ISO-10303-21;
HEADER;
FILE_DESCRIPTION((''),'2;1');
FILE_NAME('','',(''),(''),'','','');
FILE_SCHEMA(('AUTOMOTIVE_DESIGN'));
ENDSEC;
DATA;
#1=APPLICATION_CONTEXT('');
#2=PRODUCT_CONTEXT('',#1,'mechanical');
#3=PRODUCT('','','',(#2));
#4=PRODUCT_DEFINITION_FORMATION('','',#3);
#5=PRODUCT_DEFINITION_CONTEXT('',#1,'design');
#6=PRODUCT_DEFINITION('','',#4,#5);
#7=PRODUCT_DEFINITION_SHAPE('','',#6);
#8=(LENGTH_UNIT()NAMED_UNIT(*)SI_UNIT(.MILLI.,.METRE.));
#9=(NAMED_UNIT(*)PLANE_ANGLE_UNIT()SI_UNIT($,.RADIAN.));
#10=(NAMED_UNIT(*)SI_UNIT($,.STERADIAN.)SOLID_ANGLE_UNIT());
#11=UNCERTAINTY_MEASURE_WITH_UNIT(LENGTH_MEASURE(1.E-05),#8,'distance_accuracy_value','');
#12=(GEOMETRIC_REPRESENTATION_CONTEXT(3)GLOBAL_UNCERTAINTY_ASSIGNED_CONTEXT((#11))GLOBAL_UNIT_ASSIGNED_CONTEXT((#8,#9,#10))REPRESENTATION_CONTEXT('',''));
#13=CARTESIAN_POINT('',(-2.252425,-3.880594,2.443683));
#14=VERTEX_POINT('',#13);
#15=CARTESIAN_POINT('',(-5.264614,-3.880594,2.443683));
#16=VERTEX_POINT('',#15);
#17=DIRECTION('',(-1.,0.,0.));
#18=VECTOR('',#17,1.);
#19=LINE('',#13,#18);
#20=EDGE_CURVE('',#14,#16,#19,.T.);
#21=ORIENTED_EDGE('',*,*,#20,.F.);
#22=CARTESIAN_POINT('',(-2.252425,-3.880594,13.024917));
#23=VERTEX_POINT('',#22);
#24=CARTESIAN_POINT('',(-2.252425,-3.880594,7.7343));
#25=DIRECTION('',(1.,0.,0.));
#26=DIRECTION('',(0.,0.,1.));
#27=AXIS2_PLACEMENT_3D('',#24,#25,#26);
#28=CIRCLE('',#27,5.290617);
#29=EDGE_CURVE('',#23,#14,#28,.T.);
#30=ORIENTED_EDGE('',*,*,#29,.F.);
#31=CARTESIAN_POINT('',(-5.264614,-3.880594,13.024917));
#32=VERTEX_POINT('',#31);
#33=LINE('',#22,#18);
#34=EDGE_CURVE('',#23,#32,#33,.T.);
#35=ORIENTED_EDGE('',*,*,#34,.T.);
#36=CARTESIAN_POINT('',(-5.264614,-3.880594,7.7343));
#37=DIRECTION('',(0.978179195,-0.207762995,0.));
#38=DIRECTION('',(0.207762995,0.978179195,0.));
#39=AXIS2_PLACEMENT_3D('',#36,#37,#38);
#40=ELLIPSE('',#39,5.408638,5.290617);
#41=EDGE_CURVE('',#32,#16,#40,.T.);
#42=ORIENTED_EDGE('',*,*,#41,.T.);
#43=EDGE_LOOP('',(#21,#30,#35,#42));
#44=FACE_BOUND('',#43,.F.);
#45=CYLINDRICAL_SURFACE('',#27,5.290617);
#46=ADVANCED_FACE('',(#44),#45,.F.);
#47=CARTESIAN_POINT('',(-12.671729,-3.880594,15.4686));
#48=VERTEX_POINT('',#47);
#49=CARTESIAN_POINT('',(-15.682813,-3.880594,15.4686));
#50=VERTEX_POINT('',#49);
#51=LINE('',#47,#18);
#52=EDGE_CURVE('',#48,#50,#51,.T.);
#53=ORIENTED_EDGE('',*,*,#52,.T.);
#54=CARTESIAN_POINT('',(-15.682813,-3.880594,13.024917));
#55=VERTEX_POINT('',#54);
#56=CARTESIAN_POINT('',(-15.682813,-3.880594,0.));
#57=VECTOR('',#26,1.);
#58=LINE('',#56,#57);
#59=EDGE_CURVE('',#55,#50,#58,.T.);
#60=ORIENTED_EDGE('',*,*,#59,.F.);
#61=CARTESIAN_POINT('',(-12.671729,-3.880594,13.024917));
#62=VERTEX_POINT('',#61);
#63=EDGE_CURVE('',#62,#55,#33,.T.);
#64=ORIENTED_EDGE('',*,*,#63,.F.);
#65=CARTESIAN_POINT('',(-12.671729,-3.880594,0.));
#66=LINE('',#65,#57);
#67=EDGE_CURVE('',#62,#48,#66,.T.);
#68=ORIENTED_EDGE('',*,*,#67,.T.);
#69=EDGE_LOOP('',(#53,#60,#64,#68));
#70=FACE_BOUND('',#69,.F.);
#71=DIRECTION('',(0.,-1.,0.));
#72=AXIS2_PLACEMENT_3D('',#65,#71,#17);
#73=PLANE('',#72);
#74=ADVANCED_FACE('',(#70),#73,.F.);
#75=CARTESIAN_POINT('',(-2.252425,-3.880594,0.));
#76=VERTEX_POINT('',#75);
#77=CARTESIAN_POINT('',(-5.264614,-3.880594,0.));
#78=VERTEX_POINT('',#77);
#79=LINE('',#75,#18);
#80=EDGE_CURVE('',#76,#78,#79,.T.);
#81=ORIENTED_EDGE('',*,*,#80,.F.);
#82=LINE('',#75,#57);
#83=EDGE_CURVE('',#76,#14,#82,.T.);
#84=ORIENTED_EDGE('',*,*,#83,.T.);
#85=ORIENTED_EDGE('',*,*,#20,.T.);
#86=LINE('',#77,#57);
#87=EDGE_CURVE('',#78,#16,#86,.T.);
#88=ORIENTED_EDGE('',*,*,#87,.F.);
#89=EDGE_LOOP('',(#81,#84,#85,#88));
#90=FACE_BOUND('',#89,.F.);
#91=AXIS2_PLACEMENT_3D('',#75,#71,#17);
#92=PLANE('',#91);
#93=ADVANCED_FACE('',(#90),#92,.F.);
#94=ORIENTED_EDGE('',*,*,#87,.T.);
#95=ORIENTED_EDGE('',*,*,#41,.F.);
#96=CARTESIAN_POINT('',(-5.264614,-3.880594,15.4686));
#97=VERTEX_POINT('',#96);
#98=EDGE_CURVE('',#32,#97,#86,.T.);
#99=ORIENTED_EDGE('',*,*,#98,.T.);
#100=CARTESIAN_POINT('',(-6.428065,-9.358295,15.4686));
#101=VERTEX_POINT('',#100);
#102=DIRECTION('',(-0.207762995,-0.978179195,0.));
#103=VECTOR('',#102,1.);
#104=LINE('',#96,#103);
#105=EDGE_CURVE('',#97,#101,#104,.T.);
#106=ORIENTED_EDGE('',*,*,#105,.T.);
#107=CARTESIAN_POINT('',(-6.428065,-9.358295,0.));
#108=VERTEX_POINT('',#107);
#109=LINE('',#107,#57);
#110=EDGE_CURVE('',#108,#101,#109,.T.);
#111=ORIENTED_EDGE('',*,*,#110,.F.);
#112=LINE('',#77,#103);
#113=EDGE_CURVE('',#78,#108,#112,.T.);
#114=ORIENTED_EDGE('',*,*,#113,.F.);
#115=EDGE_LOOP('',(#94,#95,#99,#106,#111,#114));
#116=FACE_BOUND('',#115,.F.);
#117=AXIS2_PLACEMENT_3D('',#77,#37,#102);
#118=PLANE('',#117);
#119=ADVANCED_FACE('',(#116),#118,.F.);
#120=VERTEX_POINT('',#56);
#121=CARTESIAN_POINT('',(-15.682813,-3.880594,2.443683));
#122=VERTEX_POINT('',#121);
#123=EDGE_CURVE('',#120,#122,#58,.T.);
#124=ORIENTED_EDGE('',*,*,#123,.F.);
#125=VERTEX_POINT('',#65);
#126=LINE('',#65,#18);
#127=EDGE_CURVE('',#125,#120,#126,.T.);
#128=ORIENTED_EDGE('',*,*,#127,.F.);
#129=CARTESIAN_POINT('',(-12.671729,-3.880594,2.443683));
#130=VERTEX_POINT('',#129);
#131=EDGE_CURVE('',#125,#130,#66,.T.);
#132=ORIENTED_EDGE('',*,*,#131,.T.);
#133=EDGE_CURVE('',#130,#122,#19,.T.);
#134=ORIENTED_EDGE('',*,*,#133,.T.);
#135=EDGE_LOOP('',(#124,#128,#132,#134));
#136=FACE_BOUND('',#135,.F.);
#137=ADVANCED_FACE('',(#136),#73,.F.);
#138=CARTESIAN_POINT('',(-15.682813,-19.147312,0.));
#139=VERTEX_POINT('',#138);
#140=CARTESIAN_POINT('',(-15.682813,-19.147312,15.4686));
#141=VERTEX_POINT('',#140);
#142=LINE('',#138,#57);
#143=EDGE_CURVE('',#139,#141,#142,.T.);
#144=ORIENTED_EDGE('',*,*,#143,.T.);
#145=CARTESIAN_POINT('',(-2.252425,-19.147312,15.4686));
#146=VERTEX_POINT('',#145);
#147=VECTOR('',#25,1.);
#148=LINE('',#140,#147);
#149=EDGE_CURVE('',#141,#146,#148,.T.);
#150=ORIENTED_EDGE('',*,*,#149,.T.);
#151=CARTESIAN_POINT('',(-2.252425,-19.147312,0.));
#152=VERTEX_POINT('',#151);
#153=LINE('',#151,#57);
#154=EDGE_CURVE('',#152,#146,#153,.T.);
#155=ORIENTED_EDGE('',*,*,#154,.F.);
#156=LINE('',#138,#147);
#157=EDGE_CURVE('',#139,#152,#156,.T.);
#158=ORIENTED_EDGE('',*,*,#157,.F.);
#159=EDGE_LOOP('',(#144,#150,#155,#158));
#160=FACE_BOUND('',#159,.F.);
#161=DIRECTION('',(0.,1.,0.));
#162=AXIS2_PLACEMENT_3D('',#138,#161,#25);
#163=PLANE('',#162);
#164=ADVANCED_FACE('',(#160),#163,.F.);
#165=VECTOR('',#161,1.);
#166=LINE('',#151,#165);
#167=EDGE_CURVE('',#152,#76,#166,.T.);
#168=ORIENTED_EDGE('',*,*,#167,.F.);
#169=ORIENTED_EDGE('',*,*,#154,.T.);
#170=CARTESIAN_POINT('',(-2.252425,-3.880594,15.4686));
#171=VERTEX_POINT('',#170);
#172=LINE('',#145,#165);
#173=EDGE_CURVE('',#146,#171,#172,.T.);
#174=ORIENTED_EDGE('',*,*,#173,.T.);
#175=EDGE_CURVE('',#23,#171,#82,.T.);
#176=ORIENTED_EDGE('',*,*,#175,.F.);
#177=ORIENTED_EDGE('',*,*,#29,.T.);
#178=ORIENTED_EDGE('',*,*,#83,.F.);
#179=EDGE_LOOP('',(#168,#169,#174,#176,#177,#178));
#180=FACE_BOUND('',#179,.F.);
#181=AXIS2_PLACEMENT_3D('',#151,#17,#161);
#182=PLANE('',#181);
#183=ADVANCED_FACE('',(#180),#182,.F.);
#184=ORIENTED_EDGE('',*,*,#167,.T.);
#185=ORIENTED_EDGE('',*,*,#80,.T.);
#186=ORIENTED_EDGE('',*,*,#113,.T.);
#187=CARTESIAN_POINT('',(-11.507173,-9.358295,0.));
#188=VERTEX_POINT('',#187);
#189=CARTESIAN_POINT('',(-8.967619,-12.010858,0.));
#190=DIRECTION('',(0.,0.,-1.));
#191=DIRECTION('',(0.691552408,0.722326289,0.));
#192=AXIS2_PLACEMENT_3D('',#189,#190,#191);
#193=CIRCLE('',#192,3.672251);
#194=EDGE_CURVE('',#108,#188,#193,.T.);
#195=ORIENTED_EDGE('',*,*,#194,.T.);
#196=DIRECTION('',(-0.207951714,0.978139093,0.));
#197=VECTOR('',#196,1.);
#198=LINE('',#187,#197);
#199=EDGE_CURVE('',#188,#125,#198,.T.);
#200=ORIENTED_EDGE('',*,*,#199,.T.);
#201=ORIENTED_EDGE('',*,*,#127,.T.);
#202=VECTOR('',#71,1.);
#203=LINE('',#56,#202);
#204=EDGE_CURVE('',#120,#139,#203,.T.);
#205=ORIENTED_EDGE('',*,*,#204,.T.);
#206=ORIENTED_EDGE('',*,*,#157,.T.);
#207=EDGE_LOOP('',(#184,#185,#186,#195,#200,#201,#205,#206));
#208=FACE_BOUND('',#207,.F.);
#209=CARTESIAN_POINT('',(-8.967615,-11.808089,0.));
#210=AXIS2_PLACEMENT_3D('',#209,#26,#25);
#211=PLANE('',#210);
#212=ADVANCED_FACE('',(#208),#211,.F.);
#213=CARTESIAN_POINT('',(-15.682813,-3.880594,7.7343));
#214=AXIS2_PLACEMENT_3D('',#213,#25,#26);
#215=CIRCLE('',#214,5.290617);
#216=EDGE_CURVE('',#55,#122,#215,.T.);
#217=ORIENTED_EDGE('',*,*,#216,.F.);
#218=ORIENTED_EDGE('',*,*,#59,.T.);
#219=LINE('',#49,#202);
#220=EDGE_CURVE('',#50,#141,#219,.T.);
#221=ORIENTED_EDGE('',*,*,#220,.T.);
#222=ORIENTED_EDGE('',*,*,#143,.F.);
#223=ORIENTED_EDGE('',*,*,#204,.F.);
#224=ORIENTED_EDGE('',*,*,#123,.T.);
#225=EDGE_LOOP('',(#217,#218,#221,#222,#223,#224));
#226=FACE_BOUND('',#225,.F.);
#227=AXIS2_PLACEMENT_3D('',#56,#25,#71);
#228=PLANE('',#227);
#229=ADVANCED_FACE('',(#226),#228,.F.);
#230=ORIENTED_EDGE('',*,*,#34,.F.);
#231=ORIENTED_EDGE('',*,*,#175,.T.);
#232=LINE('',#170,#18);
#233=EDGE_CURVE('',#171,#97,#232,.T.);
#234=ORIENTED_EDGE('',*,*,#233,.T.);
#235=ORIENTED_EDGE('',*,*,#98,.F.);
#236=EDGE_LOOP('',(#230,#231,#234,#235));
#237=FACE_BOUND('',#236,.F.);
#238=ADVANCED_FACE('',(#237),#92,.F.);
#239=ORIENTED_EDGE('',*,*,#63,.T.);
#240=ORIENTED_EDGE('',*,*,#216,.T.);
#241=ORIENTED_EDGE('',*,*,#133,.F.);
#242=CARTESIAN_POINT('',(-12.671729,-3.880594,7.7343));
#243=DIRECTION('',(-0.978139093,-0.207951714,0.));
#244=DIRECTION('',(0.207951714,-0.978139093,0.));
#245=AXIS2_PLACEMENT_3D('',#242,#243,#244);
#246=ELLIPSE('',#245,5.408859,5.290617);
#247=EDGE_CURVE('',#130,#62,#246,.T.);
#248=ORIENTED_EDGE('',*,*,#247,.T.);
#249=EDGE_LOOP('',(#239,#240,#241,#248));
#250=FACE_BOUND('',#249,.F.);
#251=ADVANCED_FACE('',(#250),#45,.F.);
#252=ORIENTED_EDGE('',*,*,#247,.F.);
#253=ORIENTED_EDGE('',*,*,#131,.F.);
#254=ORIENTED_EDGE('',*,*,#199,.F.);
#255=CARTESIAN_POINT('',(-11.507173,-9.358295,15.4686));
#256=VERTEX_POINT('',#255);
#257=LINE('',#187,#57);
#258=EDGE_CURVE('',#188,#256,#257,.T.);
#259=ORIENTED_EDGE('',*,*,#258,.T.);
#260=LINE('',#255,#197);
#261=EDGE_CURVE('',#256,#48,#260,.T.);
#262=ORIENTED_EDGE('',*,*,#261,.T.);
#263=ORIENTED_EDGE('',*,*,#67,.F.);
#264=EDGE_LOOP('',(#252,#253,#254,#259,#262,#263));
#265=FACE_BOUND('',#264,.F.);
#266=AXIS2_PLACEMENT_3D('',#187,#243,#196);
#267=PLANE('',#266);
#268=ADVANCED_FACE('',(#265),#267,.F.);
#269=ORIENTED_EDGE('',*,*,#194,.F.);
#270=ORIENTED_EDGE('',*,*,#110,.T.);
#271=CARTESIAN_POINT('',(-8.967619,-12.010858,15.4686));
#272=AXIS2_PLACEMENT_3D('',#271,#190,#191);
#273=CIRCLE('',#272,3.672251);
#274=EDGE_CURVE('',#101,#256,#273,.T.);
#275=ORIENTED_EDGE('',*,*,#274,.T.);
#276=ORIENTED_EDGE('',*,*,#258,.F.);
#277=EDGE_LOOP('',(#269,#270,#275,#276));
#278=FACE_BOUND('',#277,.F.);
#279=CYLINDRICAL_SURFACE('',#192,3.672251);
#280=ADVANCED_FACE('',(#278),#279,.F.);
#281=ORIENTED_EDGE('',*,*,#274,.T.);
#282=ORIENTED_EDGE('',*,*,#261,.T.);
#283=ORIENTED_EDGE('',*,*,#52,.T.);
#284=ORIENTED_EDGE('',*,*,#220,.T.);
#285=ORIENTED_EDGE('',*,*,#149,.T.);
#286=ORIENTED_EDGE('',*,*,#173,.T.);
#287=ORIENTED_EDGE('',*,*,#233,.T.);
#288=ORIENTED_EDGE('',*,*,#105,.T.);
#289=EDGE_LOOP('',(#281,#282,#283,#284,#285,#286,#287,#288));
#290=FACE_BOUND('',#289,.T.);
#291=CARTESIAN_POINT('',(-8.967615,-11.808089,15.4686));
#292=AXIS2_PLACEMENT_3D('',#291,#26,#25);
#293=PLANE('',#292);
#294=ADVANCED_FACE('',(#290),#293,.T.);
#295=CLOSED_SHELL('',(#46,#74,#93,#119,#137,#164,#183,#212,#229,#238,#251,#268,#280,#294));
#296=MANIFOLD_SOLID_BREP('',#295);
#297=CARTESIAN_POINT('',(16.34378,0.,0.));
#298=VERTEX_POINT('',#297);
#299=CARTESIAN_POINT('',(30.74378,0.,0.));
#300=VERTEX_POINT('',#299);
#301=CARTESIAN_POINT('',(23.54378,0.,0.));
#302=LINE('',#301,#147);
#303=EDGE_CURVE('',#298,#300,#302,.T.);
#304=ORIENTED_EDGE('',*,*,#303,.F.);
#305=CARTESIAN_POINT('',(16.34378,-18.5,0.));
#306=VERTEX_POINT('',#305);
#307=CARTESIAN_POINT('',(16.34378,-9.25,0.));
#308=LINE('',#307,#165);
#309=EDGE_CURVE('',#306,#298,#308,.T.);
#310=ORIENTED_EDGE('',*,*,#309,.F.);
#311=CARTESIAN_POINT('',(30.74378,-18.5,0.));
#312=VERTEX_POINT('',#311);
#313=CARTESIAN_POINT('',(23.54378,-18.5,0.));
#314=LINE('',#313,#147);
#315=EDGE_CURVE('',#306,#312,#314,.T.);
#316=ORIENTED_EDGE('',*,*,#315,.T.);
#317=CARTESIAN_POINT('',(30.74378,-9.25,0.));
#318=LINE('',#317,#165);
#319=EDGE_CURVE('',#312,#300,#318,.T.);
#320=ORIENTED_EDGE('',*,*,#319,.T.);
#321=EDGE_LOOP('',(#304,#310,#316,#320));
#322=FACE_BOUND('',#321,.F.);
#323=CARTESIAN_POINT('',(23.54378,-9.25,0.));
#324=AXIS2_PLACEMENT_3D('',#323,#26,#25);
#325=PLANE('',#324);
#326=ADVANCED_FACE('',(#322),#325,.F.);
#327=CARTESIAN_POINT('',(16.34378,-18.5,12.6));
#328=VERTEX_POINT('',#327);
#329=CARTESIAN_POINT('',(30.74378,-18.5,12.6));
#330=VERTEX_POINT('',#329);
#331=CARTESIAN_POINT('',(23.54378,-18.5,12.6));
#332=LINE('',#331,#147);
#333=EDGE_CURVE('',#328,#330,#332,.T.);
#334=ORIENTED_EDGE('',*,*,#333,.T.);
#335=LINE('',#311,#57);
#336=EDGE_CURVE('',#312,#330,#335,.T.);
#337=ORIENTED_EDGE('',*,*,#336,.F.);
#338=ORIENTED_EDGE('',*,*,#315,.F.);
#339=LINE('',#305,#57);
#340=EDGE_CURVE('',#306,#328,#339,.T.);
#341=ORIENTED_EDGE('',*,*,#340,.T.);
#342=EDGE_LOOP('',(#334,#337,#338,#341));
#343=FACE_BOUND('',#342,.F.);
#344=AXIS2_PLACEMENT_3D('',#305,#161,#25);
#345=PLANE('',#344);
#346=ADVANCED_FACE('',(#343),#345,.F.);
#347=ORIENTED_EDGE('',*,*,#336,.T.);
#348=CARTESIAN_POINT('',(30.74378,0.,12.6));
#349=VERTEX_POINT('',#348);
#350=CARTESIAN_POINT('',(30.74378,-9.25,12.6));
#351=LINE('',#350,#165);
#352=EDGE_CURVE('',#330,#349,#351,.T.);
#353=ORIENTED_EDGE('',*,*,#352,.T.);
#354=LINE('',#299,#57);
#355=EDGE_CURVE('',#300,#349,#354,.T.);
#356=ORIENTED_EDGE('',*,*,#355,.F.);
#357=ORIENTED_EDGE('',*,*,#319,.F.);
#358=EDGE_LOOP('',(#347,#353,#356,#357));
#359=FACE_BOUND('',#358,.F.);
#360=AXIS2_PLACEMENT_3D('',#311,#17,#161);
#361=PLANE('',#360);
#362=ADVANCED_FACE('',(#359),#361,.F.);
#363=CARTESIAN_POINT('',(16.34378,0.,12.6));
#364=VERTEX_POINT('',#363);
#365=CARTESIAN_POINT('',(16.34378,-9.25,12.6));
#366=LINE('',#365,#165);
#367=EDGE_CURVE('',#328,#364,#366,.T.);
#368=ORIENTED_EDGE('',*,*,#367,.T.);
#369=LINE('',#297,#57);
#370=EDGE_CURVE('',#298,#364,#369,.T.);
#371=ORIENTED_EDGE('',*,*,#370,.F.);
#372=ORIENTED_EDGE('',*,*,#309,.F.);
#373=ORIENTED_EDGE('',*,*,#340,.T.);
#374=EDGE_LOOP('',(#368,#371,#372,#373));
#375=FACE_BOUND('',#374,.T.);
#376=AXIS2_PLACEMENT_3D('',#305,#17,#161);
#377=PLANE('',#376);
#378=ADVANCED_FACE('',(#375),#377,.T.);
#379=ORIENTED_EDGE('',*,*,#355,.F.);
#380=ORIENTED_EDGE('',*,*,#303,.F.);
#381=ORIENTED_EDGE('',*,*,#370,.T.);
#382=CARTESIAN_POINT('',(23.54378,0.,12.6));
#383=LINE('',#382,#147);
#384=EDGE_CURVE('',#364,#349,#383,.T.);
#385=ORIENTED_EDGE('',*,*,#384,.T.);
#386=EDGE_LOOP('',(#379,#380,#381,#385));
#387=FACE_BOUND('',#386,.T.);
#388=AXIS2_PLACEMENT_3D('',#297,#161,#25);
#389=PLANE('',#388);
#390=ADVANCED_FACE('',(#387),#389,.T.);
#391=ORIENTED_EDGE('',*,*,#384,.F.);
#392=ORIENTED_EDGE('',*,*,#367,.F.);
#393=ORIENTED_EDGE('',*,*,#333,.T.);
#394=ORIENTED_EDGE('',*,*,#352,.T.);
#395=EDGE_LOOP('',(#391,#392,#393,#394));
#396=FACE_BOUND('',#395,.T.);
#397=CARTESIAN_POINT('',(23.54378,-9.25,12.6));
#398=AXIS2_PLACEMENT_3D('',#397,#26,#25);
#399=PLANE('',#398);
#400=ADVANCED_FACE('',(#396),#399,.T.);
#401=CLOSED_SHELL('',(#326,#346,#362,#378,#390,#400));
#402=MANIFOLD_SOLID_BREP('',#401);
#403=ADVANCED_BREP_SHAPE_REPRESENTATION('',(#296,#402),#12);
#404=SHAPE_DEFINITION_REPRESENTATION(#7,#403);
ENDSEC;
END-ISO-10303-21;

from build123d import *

# Parameters (mm, degrees)
F1_DEPTH = 15.4686
F3_DEPTH = 25.4
F4_W     = 14.4
F4_H     = 18.5
F5_DEPTH = 12.6


with BuildPart() as f1:
    # F0 (on Top) → F1 (new body)
    with BuildSketch(Plane.XY):
        with BuildLine():
            Line((-12.6717286184, -3.8805939257), (-15.6828127801, -3.8805939257))
            Line((-15.6828127801, -3.8805939257), (-15.6828127801, -19.1473122686))
            Line((-15.6828127801, -19.1473122686), (-2.2524250671, -19.1473122686))
            Line((-2.2524250671, -19.1473122686), (-2.2524250671, -3.8805939257))
            Line((-2.2524250671, -3.8805939257), (-5.2646137774, -3.8805939257))
            Line((-5.2646137774, -3.8805939257), (-6.4280647547, -9.3582948019))
            ThreePointArc((-6.4280647547, -9.3582948019), (-8.9676189236, -15.6831096095), (-11.5071730925, -9.3582948019))
            Line((-11.5071730925, -9.3582948019), (-12.6717286184, -3.8805939257))
        make_face()
    extrude(amount=F1_DEPTH)

    # F2 (on face) → F3 (cut)
    with BuildSketch(Plane.YZ.offset(-2.2524250671)):
        with BuildLine():
            Line((-3.8805939257, 7.7343), (-3.8805939257, 13.0249166941))
            ThreePointArc((-3.8805939257, 13.0249166941), (-9.1712106198, 7.7343), (-3.8805939257, 2.4436833059))
            Line((-3.8805939257, 2.4436833059), (-3.8805939257, 2.4579335004))
            Line((-3.8805939257, 2.4579335004), (-3.8805939257, 7.7343))
        make_face()
    extrude(amount=-F3_DEPTH, mode=Mode.SUBTRACT)


with BuildPart() as f5:
    # F4 (on Top) → F5 (new body)
    with BuildSketch(Plane.XY):
        with Locations((23.5437798619, -9.25)):
            Rectangle(F4_W, F4_H)
    extrude(amount=F5_DEPTH)


solid = Compound([f1.part, f5.part])
